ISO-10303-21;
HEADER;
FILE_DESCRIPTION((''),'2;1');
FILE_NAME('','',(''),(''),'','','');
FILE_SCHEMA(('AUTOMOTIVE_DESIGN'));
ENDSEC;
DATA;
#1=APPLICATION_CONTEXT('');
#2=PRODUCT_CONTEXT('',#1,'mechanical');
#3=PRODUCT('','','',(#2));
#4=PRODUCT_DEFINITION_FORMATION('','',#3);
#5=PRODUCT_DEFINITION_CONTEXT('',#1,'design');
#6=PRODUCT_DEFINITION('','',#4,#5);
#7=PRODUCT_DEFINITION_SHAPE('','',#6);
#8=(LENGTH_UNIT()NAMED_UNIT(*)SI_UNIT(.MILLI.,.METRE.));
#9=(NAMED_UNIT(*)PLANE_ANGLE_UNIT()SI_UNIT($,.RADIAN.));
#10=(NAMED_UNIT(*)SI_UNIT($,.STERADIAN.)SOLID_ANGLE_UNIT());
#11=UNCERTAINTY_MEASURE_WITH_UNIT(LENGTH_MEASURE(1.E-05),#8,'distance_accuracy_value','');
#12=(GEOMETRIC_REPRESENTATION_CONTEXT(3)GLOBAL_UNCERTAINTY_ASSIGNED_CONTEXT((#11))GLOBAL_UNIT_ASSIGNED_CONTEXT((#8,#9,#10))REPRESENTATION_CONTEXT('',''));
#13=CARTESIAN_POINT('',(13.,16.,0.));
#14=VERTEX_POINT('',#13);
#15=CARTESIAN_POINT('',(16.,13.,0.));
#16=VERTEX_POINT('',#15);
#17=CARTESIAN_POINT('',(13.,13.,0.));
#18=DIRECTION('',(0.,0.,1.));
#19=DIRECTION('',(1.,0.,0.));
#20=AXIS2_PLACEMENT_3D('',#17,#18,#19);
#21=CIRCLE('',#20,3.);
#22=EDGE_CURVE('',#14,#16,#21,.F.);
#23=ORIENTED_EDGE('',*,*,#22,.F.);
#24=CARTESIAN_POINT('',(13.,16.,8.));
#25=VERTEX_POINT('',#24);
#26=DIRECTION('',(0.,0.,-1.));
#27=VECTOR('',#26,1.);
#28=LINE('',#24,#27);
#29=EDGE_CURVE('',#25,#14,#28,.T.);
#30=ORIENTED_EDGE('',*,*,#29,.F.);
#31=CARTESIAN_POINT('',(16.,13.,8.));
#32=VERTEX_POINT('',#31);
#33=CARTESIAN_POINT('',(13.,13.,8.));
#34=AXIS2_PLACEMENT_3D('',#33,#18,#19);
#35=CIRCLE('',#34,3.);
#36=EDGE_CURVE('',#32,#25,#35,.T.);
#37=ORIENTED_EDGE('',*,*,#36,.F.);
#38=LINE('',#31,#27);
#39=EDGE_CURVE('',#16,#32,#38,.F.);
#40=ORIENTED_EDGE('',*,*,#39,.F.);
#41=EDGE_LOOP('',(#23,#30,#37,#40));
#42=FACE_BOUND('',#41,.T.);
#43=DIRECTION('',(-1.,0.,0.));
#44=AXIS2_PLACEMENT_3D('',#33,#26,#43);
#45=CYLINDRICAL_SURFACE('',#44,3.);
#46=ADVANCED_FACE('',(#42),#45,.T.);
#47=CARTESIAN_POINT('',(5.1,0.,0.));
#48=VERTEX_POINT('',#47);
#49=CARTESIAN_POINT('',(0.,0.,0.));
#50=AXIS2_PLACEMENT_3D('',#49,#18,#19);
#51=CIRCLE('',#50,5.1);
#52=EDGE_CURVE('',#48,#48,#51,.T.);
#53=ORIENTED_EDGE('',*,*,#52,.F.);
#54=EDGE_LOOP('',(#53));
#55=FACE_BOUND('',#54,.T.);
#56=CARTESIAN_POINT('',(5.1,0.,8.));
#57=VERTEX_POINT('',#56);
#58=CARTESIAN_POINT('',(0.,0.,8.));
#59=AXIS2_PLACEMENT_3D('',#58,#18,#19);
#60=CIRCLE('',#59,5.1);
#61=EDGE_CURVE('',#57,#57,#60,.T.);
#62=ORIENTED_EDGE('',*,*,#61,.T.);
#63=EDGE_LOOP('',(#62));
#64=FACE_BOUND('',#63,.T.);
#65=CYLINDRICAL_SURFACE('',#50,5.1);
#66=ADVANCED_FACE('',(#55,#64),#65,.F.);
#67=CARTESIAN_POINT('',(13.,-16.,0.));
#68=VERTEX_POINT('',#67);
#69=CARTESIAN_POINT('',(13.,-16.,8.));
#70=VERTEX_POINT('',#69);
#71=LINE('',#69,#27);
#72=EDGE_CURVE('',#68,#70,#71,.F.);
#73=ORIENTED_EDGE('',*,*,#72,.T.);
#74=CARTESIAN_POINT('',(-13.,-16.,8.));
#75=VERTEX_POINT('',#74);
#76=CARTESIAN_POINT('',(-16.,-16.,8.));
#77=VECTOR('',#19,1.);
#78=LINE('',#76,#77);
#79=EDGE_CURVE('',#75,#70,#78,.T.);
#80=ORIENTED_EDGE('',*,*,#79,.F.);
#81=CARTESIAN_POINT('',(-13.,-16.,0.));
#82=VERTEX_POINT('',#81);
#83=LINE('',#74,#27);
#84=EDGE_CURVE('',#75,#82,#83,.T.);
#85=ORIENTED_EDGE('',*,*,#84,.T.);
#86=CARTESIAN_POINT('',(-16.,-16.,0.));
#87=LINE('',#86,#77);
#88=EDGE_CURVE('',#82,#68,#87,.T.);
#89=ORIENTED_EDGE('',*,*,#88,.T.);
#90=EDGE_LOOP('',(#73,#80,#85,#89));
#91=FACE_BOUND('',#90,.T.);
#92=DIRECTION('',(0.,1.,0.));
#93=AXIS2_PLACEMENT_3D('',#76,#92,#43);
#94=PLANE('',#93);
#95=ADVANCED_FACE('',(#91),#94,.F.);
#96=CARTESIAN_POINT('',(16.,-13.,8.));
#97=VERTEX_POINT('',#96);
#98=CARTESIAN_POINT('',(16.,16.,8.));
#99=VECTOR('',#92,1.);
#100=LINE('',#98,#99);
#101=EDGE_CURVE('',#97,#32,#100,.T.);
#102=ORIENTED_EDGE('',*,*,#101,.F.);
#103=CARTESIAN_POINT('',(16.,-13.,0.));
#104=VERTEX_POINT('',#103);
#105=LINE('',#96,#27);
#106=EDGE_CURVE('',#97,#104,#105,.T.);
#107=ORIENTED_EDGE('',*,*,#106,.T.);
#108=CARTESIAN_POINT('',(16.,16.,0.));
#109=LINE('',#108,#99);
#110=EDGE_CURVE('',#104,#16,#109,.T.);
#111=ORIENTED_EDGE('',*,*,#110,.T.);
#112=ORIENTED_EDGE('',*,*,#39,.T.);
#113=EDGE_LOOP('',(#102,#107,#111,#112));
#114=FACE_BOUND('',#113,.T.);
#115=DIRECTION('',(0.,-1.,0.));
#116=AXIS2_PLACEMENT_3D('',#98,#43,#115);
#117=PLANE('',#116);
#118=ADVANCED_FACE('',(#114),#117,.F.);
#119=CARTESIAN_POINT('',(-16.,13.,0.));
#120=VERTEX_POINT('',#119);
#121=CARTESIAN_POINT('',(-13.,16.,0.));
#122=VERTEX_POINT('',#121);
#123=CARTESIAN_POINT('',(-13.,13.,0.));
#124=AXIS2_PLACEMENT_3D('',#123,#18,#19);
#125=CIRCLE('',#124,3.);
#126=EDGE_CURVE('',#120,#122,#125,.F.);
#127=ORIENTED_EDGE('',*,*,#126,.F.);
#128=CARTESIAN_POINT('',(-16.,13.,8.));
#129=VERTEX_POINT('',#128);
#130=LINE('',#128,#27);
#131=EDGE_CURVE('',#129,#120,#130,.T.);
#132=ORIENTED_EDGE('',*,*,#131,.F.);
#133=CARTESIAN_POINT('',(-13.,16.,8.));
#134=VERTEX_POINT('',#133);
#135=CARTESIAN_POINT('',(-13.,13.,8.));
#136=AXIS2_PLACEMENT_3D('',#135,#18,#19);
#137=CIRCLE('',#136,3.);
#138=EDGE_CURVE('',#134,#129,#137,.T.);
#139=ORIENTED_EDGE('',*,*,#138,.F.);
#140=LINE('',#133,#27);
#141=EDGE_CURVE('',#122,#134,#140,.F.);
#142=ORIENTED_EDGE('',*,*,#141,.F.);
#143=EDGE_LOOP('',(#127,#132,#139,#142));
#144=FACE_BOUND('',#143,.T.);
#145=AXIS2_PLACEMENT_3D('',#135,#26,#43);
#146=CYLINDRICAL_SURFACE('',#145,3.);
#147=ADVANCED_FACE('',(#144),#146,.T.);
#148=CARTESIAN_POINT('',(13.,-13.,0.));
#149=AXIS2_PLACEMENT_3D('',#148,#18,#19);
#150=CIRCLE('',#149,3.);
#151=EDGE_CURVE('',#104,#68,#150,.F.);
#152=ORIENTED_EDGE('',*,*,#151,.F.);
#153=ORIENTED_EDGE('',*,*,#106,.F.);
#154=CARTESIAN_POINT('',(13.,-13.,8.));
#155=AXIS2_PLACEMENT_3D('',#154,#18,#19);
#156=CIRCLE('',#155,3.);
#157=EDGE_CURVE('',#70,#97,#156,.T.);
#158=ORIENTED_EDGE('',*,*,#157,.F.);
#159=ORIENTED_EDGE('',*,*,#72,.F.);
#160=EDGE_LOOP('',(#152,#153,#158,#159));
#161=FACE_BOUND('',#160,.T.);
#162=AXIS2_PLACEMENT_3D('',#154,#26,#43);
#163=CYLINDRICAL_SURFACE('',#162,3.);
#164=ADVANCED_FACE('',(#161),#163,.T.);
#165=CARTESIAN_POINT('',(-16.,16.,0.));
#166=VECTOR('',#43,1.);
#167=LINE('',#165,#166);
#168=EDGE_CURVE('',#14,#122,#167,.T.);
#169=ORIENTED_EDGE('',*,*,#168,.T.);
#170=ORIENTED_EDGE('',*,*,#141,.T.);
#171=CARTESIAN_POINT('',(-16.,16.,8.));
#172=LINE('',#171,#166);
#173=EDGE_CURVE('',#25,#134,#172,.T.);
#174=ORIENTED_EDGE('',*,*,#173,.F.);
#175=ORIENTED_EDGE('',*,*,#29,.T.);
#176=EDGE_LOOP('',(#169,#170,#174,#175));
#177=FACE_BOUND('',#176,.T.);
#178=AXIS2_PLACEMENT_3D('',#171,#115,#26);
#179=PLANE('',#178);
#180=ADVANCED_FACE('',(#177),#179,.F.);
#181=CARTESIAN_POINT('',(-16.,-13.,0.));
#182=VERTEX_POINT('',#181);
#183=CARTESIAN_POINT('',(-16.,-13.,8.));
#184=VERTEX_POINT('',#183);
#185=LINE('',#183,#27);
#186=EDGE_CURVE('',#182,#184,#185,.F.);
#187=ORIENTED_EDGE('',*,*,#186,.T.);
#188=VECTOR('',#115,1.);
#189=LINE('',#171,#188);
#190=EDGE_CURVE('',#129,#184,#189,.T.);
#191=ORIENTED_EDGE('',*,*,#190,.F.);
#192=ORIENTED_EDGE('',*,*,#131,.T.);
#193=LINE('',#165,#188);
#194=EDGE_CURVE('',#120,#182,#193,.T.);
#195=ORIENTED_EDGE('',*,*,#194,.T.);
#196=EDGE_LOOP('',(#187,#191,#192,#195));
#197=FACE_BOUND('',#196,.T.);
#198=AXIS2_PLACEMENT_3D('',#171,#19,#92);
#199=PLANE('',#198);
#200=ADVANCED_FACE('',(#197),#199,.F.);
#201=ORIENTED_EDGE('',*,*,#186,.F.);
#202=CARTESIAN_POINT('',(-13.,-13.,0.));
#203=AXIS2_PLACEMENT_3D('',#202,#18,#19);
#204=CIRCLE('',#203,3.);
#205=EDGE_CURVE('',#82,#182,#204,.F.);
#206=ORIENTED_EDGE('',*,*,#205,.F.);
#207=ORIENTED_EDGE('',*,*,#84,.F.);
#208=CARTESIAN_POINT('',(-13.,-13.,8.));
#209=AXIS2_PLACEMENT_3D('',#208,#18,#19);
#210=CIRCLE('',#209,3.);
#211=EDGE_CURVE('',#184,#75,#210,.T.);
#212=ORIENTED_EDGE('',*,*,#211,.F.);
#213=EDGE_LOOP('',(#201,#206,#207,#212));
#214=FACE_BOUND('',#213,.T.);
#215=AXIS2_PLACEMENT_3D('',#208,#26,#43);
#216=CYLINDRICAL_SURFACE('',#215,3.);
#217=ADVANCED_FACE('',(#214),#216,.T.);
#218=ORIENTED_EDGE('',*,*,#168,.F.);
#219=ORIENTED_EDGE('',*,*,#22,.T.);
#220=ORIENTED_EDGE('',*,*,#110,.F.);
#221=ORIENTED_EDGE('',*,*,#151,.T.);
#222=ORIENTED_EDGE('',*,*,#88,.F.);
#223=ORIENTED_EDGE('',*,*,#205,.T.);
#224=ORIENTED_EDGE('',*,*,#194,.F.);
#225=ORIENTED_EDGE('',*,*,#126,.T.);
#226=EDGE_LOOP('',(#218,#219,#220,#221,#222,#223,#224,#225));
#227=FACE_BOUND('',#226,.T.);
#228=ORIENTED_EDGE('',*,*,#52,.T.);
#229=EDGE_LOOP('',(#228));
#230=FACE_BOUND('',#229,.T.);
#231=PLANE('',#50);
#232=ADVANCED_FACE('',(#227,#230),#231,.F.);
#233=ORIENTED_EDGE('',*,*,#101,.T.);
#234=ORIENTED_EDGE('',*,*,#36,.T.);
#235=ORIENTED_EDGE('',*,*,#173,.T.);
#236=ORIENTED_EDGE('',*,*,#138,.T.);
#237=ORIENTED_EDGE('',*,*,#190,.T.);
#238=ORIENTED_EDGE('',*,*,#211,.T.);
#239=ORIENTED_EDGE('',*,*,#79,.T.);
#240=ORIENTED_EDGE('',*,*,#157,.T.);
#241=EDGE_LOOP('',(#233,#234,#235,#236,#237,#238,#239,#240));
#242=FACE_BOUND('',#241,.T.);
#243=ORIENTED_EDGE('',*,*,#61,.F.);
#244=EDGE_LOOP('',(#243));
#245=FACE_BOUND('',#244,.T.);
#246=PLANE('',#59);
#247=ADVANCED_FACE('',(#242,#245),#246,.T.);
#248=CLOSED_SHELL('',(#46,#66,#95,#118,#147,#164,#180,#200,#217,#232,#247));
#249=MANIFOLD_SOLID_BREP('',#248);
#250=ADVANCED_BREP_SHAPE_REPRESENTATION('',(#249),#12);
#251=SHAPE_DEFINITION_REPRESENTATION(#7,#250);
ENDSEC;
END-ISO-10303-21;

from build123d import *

# Parameters (mm, degrees)
SKETCH_1_W          = 32
SKETCH_1_H          = 32
EXTRUDE_1_DEPTH     = 8
SKETCH_2_R          = 5.1
CUT_EXTRUDE_1_DEPTH = 25
FILLET_1_R          = 3


with BuildPart() as part:
    # Эскиз1 → Бобышка-Вытянуть1 (new body)
    with BuildSketch(Plane.XY):
        Rectangle(SKETCH_1_W, SKETCH_1_H)
    extrude(amount=EXTRUDE_1_DEPTH)

    # Эскиз2 → Вырез-Вытянуть1 (cut, through all)
    with BuildSketch(Plane.XY.offset(8)):
        Circle(SKETCH_2_R)
    extrude(amount=-CUT_EXTRUDE_1_DEPTH, mode=Mode.SUBTRACT)

    # Скругление1
    fillet_1_edges = [part.edges().sort_by_distance(p)[0] for p in [
        (16, -16, 4),
        (-16, -16, 4),
        (-16, 16, 4),
        (16, 16, 4),
    ]]
    fillet(fillet_1_edges, radius=FILLET_1_R)


solid = part.part
